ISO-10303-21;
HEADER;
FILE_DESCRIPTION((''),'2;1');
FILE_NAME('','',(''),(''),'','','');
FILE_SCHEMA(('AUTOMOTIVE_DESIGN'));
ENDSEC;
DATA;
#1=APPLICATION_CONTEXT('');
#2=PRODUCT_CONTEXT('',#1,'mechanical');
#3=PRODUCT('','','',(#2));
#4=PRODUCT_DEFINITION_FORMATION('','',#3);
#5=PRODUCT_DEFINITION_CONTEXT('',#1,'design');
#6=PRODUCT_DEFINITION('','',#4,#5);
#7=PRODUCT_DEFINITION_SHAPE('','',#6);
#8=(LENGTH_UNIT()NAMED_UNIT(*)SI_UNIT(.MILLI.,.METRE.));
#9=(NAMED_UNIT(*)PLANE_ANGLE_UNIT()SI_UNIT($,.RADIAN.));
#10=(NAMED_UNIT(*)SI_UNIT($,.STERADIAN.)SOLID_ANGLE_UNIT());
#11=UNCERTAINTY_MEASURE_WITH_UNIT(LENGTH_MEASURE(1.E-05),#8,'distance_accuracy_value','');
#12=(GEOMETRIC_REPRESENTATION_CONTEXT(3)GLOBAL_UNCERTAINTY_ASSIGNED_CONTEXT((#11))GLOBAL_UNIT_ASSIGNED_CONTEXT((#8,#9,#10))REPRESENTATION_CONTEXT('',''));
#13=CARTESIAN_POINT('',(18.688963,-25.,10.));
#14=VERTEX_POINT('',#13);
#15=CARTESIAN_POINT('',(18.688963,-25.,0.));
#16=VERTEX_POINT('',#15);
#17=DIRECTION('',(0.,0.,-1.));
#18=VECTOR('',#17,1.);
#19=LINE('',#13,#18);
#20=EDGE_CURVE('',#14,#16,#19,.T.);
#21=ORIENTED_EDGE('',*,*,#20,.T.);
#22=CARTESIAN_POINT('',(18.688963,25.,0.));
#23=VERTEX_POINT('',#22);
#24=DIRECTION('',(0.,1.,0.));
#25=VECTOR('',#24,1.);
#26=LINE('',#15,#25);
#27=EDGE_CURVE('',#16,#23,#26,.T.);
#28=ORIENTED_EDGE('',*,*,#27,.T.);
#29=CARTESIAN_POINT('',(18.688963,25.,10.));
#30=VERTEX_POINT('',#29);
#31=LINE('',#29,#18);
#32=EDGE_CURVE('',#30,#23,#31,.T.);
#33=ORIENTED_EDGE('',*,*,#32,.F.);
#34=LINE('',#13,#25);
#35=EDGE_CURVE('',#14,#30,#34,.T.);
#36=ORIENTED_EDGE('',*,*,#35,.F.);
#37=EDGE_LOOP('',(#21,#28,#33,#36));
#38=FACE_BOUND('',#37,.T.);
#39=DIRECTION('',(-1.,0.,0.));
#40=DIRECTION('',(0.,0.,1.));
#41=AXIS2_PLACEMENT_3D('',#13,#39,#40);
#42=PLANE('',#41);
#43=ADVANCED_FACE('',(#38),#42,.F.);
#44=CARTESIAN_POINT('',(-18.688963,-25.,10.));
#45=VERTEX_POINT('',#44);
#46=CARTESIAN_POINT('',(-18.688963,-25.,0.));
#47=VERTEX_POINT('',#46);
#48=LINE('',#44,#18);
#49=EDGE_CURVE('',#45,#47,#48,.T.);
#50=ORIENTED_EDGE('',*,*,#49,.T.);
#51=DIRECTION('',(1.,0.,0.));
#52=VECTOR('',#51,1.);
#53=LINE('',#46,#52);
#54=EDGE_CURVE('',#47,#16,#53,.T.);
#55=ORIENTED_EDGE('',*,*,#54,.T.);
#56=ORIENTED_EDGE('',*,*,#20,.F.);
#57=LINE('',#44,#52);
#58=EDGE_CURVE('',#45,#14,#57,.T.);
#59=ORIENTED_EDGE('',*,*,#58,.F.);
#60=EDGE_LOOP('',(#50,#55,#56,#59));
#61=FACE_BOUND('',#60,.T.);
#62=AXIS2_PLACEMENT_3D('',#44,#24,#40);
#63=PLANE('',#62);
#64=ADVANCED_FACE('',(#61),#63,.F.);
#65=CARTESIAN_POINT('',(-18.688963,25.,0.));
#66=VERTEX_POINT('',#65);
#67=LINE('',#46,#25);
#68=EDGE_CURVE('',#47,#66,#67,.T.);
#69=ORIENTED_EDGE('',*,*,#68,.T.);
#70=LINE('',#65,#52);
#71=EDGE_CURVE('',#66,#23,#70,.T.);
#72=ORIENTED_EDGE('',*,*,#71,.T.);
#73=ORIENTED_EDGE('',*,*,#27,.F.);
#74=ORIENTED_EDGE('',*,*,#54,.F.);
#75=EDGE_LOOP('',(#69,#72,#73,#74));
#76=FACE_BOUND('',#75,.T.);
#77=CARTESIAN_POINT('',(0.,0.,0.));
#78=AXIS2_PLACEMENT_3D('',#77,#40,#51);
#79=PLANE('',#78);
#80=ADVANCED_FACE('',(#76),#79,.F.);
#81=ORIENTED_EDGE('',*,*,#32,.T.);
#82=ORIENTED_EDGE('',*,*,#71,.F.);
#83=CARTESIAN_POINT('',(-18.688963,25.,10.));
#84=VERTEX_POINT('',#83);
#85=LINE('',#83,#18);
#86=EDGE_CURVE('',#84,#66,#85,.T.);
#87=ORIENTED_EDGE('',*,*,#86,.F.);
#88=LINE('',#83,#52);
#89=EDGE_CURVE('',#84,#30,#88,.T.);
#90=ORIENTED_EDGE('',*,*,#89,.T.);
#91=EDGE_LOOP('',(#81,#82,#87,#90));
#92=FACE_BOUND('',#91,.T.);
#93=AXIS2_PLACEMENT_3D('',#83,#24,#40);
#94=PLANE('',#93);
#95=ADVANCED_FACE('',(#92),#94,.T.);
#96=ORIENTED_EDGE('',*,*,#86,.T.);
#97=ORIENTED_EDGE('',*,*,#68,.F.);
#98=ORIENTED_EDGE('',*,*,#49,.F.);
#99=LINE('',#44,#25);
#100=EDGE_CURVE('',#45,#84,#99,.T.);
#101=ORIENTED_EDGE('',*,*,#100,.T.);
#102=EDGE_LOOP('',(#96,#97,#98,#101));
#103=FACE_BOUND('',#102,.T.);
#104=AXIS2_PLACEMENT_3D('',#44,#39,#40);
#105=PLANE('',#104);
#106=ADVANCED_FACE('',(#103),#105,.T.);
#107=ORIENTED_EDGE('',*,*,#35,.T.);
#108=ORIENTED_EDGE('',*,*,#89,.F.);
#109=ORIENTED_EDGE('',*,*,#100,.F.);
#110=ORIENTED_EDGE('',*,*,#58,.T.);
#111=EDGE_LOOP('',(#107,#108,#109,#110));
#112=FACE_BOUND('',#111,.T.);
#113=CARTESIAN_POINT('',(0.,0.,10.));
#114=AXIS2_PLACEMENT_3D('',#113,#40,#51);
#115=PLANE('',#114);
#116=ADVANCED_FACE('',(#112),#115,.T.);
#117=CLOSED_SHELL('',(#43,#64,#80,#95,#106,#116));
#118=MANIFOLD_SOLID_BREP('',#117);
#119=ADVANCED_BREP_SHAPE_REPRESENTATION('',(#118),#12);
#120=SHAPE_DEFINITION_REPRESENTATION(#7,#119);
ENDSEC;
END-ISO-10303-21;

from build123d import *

# Parameters (mm, degrees)
SKETCH_5_W      = 37.377926944
SKETCH_5_H      = 50
EXTRUDE_2_DEPTH = 10


with BuildPart() as part:
    # Эскиз5 → Бобышка-Вытянуть2 (new body)
    with BuildSketch(Plane.XY):
        Rectangle(SKETCH_5_W, SKETCH_5_H)
    extrude(amount=EXTRUDE_2_DEPTH)


solid = part.part
